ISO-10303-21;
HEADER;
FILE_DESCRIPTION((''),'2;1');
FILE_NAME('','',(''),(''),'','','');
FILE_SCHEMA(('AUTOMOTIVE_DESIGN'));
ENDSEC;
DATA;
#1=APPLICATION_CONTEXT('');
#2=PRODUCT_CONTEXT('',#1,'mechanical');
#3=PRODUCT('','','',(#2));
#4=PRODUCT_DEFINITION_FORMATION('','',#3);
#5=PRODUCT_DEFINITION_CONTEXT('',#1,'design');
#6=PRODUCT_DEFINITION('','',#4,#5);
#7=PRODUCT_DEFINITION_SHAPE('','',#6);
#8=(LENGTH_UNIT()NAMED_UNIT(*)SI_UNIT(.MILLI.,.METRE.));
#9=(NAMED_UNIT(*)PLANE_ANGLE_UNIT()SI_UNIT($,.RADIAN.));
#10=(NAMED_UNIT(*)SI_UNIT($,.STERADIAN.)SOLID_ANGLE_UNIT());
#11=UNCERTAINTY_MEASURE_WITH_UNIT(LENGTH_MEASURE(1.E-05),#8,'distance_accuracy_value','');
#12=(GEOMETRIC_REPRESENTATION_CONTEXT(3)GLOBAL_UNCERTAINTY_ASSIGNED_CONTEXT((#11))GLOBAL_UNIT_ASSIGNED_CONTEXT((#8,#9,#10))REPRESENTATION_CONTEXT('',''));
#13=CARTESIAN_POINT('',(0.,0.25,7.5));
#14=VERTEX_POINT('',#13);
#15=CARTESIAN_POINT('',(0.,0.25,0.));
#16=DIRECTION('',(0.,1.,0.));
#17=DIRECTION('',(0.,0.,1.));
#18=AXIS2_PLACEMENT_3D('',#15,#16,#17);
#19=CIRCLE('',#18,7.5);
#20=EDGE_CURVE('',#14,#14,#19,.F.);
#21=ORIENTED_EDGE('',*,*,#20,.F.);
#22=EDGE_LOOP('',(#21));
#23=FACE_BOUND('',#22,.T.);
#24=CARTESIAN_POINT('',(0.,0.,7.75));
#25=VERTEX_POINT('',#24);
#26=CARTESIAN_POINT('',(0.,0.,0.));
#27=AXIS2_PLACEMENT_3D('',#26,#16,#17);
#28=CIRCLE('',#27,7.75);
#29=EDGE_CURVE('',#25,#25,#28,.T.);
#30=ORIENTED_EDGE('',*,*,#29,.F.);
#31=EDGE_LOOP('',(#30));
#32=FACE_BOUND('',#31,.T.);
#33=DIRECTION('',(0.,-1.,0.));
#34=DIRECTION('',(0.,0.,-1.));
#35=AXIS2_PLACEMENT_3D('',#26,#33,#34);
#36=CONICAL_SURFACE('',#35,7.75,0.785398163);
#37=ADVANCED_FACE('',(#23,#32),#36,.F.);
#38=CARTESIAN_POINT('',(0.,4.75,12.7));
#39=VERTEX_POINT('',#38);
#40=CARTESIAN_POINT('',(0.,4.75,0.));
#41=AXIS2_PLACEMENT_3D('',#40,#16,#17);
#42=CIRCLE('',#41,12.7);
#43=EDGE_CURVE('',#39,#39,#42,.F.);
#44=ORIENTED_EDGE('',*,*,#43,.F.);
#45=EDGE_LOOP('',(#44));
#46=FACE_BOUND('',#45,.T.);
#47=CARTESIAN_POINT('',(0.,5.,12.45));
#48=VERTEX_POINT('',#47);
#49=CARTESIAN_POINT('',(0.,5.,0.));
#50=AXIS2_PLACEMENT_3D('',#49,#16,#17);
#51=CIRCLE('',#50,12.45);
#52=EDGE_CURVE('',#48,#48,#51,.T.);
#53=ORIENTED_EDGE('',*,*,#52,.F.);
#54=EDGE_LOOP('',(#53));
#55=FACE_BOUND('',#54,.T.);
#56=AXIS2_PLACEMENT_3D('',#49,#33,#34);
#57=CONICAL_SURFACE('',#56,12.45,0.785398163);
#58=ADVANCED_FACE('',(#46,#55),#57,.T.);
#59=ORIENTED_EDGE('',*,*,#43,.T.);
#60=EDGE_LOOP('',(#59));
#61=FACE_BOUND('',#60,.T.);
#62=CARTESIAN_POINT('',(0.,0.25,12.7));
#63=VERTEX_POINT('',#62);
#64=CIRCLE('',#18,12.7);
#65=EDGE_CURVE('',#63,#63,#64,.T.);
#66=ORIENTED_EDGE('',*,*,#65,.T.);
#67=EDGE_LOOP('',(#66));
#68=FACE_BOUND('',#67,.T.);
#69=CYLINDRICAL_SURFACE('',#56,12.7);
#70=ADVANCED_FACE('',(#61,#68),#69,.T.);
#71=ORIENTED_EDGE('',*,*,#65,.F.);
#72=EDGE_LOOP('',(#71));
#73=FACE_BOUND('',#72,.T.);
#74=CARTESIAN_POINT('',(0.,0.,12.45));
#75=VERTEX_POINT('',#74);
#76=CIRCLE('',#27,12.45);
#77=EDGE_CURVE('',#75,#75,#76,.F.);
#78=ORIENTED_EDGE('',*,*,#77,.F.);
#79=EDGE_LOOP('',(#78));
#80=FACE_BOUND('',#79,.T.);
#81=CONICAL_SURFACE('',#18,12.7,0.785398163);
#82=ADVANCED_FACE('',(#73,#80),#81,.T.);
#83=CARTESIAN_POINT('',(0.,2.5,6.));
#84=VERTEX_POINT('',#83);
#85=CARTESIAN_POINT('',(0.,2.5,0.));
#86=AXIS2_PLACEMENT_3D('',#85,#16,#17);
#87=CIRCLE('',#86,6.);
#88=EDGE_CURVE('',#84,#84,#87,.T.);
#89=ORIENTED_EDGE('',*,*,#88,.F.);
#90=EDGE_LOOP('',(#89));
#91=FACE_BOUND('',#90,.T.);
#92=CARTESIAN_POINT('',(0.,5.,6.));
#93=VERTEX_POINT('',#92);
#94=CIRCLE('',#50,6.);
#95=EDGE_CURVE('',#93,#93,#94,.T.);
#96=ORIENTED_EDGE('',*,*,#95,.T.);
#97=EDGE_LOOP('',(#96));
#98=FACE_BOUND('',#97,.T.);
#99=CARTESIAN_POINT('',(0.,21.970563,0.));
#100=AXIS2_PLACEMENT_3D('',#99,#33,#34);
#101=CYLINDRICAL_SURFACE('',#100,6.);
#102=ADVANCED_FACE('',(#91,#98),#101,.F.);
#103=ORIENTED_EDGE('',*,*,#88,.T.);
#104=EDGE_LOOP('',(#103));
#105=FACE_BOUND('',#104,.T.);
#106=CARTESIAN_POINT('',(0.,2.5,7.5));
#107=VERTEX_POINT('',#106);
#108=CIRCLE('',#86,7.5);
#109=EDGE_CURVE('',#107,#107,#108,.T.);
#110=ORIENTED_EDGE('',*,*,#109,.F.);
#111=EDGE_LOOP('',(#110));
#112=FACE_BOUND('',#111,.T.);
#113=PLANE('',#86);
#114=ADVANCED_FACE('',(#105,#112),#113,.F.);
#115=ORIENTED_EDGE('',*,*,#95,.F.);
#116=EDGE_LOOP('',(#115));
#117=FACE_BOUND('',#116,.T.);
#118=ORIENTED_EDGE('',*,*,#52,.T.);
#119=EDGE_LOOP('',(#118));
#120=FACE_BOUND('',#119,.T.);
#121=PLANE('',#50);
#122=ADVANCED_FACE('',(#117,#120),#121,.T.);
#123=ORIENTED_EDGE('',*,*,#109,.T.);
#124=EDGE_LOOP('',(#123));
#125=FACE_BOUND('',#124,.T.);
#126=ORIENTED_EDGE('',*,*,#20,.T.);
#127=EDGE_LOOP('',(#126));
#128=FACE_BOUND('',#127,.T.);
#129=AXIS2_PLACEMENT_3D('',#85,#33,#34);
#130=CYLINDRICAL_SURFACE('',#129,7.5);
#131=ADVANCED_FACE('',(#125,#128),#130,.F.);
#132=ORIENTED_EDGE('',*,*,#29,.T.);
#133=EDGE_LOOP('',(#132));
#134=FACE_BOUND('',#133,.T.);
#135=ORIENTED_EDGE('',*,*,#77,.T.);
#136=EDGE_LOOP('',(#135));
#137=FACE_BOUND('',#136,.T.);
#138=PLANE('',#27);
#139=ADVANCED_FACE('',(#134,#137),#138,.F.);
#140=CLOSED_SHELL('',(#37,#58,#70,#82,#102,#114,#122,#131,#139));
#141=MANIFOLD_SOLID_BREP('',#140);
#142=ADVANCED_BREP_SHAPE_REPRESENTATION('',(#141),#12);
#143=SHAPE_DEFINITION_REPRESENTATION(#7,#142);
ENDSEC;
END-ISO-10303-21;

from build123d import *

# Parameters (mm, degrees)
SKETCH1_R           = 12.7
BOSS_EXTRUDE1_DEPTH = 5
SKETCH1_3_R         = 6
CUT_EXTRUDE1_DEPTH  = 5
SKETCH1_4_R         = 7.5
SKETCH1_4_R_2       = 6
CUT_EXTRUDE2_DEPTH  = 2.5
CHAMFER1_SIZE       = 0.25


with BuildPart() as part:
    # Sketch1 → Boss-Extrude1 (new body)
    with BuildSketch(Plane(origin=(0, 0, 0), x_dir=(1, 0, 0), z_dir=(0, 1, 0))):
        with Locations(Location((0, 0, 0), (0, 0, 270))):
            Circle(SKETCH1_R)
    extrude(amount=BOSS_EXTRUDE1_DEPTH)

    # Sketch1<3> → Cut-Extrude1 (cut)
    with BuildSketch(Plane(origin=(0, 0, 0), x_dir=(1, 0, 0), z_dir=(0, 1, 0))):
        with Locations(Location((0, 0, 0), (0, 0, 270))):
            Circle(SKETCH1_3_R)
    extrude(amount=CUT_EXTRUDE1_DEPTH, mode=Mode.SUBTRACT)

    # Sketch1<4> → Cut-Extrude2 (cut)
    with BuildSketch(Plane(origin=(0, 0, 0), x_dir=(1, 0, 0), z_dir=(0, 1, 0))):
        with Locations(Location((0, 0, 0), (0, 0, 270))):
            Circle(SKETCH1_4_R)
        with Locations(Location((0, 0, 0), (0, 0, 270))):
            Circle(SKETCH1_4_R_2, mode=Mode.SUBTRACT)
    extrude(amount=CUT_EXTRUDE2_DEPTH, mode=Mode.SUBTRACT)

    # Chamfer1
    chamfer1_edges = [part.edges().sort_by_distance(p)[0] for p in [
        (0, 0, -7.5),
        (0, 0, -12.7),
        (0, 5, -12.7),
    ]]
    chamfer(chamfer1_edges, length=CHAMFER1_SIZE)


solid = part.part
